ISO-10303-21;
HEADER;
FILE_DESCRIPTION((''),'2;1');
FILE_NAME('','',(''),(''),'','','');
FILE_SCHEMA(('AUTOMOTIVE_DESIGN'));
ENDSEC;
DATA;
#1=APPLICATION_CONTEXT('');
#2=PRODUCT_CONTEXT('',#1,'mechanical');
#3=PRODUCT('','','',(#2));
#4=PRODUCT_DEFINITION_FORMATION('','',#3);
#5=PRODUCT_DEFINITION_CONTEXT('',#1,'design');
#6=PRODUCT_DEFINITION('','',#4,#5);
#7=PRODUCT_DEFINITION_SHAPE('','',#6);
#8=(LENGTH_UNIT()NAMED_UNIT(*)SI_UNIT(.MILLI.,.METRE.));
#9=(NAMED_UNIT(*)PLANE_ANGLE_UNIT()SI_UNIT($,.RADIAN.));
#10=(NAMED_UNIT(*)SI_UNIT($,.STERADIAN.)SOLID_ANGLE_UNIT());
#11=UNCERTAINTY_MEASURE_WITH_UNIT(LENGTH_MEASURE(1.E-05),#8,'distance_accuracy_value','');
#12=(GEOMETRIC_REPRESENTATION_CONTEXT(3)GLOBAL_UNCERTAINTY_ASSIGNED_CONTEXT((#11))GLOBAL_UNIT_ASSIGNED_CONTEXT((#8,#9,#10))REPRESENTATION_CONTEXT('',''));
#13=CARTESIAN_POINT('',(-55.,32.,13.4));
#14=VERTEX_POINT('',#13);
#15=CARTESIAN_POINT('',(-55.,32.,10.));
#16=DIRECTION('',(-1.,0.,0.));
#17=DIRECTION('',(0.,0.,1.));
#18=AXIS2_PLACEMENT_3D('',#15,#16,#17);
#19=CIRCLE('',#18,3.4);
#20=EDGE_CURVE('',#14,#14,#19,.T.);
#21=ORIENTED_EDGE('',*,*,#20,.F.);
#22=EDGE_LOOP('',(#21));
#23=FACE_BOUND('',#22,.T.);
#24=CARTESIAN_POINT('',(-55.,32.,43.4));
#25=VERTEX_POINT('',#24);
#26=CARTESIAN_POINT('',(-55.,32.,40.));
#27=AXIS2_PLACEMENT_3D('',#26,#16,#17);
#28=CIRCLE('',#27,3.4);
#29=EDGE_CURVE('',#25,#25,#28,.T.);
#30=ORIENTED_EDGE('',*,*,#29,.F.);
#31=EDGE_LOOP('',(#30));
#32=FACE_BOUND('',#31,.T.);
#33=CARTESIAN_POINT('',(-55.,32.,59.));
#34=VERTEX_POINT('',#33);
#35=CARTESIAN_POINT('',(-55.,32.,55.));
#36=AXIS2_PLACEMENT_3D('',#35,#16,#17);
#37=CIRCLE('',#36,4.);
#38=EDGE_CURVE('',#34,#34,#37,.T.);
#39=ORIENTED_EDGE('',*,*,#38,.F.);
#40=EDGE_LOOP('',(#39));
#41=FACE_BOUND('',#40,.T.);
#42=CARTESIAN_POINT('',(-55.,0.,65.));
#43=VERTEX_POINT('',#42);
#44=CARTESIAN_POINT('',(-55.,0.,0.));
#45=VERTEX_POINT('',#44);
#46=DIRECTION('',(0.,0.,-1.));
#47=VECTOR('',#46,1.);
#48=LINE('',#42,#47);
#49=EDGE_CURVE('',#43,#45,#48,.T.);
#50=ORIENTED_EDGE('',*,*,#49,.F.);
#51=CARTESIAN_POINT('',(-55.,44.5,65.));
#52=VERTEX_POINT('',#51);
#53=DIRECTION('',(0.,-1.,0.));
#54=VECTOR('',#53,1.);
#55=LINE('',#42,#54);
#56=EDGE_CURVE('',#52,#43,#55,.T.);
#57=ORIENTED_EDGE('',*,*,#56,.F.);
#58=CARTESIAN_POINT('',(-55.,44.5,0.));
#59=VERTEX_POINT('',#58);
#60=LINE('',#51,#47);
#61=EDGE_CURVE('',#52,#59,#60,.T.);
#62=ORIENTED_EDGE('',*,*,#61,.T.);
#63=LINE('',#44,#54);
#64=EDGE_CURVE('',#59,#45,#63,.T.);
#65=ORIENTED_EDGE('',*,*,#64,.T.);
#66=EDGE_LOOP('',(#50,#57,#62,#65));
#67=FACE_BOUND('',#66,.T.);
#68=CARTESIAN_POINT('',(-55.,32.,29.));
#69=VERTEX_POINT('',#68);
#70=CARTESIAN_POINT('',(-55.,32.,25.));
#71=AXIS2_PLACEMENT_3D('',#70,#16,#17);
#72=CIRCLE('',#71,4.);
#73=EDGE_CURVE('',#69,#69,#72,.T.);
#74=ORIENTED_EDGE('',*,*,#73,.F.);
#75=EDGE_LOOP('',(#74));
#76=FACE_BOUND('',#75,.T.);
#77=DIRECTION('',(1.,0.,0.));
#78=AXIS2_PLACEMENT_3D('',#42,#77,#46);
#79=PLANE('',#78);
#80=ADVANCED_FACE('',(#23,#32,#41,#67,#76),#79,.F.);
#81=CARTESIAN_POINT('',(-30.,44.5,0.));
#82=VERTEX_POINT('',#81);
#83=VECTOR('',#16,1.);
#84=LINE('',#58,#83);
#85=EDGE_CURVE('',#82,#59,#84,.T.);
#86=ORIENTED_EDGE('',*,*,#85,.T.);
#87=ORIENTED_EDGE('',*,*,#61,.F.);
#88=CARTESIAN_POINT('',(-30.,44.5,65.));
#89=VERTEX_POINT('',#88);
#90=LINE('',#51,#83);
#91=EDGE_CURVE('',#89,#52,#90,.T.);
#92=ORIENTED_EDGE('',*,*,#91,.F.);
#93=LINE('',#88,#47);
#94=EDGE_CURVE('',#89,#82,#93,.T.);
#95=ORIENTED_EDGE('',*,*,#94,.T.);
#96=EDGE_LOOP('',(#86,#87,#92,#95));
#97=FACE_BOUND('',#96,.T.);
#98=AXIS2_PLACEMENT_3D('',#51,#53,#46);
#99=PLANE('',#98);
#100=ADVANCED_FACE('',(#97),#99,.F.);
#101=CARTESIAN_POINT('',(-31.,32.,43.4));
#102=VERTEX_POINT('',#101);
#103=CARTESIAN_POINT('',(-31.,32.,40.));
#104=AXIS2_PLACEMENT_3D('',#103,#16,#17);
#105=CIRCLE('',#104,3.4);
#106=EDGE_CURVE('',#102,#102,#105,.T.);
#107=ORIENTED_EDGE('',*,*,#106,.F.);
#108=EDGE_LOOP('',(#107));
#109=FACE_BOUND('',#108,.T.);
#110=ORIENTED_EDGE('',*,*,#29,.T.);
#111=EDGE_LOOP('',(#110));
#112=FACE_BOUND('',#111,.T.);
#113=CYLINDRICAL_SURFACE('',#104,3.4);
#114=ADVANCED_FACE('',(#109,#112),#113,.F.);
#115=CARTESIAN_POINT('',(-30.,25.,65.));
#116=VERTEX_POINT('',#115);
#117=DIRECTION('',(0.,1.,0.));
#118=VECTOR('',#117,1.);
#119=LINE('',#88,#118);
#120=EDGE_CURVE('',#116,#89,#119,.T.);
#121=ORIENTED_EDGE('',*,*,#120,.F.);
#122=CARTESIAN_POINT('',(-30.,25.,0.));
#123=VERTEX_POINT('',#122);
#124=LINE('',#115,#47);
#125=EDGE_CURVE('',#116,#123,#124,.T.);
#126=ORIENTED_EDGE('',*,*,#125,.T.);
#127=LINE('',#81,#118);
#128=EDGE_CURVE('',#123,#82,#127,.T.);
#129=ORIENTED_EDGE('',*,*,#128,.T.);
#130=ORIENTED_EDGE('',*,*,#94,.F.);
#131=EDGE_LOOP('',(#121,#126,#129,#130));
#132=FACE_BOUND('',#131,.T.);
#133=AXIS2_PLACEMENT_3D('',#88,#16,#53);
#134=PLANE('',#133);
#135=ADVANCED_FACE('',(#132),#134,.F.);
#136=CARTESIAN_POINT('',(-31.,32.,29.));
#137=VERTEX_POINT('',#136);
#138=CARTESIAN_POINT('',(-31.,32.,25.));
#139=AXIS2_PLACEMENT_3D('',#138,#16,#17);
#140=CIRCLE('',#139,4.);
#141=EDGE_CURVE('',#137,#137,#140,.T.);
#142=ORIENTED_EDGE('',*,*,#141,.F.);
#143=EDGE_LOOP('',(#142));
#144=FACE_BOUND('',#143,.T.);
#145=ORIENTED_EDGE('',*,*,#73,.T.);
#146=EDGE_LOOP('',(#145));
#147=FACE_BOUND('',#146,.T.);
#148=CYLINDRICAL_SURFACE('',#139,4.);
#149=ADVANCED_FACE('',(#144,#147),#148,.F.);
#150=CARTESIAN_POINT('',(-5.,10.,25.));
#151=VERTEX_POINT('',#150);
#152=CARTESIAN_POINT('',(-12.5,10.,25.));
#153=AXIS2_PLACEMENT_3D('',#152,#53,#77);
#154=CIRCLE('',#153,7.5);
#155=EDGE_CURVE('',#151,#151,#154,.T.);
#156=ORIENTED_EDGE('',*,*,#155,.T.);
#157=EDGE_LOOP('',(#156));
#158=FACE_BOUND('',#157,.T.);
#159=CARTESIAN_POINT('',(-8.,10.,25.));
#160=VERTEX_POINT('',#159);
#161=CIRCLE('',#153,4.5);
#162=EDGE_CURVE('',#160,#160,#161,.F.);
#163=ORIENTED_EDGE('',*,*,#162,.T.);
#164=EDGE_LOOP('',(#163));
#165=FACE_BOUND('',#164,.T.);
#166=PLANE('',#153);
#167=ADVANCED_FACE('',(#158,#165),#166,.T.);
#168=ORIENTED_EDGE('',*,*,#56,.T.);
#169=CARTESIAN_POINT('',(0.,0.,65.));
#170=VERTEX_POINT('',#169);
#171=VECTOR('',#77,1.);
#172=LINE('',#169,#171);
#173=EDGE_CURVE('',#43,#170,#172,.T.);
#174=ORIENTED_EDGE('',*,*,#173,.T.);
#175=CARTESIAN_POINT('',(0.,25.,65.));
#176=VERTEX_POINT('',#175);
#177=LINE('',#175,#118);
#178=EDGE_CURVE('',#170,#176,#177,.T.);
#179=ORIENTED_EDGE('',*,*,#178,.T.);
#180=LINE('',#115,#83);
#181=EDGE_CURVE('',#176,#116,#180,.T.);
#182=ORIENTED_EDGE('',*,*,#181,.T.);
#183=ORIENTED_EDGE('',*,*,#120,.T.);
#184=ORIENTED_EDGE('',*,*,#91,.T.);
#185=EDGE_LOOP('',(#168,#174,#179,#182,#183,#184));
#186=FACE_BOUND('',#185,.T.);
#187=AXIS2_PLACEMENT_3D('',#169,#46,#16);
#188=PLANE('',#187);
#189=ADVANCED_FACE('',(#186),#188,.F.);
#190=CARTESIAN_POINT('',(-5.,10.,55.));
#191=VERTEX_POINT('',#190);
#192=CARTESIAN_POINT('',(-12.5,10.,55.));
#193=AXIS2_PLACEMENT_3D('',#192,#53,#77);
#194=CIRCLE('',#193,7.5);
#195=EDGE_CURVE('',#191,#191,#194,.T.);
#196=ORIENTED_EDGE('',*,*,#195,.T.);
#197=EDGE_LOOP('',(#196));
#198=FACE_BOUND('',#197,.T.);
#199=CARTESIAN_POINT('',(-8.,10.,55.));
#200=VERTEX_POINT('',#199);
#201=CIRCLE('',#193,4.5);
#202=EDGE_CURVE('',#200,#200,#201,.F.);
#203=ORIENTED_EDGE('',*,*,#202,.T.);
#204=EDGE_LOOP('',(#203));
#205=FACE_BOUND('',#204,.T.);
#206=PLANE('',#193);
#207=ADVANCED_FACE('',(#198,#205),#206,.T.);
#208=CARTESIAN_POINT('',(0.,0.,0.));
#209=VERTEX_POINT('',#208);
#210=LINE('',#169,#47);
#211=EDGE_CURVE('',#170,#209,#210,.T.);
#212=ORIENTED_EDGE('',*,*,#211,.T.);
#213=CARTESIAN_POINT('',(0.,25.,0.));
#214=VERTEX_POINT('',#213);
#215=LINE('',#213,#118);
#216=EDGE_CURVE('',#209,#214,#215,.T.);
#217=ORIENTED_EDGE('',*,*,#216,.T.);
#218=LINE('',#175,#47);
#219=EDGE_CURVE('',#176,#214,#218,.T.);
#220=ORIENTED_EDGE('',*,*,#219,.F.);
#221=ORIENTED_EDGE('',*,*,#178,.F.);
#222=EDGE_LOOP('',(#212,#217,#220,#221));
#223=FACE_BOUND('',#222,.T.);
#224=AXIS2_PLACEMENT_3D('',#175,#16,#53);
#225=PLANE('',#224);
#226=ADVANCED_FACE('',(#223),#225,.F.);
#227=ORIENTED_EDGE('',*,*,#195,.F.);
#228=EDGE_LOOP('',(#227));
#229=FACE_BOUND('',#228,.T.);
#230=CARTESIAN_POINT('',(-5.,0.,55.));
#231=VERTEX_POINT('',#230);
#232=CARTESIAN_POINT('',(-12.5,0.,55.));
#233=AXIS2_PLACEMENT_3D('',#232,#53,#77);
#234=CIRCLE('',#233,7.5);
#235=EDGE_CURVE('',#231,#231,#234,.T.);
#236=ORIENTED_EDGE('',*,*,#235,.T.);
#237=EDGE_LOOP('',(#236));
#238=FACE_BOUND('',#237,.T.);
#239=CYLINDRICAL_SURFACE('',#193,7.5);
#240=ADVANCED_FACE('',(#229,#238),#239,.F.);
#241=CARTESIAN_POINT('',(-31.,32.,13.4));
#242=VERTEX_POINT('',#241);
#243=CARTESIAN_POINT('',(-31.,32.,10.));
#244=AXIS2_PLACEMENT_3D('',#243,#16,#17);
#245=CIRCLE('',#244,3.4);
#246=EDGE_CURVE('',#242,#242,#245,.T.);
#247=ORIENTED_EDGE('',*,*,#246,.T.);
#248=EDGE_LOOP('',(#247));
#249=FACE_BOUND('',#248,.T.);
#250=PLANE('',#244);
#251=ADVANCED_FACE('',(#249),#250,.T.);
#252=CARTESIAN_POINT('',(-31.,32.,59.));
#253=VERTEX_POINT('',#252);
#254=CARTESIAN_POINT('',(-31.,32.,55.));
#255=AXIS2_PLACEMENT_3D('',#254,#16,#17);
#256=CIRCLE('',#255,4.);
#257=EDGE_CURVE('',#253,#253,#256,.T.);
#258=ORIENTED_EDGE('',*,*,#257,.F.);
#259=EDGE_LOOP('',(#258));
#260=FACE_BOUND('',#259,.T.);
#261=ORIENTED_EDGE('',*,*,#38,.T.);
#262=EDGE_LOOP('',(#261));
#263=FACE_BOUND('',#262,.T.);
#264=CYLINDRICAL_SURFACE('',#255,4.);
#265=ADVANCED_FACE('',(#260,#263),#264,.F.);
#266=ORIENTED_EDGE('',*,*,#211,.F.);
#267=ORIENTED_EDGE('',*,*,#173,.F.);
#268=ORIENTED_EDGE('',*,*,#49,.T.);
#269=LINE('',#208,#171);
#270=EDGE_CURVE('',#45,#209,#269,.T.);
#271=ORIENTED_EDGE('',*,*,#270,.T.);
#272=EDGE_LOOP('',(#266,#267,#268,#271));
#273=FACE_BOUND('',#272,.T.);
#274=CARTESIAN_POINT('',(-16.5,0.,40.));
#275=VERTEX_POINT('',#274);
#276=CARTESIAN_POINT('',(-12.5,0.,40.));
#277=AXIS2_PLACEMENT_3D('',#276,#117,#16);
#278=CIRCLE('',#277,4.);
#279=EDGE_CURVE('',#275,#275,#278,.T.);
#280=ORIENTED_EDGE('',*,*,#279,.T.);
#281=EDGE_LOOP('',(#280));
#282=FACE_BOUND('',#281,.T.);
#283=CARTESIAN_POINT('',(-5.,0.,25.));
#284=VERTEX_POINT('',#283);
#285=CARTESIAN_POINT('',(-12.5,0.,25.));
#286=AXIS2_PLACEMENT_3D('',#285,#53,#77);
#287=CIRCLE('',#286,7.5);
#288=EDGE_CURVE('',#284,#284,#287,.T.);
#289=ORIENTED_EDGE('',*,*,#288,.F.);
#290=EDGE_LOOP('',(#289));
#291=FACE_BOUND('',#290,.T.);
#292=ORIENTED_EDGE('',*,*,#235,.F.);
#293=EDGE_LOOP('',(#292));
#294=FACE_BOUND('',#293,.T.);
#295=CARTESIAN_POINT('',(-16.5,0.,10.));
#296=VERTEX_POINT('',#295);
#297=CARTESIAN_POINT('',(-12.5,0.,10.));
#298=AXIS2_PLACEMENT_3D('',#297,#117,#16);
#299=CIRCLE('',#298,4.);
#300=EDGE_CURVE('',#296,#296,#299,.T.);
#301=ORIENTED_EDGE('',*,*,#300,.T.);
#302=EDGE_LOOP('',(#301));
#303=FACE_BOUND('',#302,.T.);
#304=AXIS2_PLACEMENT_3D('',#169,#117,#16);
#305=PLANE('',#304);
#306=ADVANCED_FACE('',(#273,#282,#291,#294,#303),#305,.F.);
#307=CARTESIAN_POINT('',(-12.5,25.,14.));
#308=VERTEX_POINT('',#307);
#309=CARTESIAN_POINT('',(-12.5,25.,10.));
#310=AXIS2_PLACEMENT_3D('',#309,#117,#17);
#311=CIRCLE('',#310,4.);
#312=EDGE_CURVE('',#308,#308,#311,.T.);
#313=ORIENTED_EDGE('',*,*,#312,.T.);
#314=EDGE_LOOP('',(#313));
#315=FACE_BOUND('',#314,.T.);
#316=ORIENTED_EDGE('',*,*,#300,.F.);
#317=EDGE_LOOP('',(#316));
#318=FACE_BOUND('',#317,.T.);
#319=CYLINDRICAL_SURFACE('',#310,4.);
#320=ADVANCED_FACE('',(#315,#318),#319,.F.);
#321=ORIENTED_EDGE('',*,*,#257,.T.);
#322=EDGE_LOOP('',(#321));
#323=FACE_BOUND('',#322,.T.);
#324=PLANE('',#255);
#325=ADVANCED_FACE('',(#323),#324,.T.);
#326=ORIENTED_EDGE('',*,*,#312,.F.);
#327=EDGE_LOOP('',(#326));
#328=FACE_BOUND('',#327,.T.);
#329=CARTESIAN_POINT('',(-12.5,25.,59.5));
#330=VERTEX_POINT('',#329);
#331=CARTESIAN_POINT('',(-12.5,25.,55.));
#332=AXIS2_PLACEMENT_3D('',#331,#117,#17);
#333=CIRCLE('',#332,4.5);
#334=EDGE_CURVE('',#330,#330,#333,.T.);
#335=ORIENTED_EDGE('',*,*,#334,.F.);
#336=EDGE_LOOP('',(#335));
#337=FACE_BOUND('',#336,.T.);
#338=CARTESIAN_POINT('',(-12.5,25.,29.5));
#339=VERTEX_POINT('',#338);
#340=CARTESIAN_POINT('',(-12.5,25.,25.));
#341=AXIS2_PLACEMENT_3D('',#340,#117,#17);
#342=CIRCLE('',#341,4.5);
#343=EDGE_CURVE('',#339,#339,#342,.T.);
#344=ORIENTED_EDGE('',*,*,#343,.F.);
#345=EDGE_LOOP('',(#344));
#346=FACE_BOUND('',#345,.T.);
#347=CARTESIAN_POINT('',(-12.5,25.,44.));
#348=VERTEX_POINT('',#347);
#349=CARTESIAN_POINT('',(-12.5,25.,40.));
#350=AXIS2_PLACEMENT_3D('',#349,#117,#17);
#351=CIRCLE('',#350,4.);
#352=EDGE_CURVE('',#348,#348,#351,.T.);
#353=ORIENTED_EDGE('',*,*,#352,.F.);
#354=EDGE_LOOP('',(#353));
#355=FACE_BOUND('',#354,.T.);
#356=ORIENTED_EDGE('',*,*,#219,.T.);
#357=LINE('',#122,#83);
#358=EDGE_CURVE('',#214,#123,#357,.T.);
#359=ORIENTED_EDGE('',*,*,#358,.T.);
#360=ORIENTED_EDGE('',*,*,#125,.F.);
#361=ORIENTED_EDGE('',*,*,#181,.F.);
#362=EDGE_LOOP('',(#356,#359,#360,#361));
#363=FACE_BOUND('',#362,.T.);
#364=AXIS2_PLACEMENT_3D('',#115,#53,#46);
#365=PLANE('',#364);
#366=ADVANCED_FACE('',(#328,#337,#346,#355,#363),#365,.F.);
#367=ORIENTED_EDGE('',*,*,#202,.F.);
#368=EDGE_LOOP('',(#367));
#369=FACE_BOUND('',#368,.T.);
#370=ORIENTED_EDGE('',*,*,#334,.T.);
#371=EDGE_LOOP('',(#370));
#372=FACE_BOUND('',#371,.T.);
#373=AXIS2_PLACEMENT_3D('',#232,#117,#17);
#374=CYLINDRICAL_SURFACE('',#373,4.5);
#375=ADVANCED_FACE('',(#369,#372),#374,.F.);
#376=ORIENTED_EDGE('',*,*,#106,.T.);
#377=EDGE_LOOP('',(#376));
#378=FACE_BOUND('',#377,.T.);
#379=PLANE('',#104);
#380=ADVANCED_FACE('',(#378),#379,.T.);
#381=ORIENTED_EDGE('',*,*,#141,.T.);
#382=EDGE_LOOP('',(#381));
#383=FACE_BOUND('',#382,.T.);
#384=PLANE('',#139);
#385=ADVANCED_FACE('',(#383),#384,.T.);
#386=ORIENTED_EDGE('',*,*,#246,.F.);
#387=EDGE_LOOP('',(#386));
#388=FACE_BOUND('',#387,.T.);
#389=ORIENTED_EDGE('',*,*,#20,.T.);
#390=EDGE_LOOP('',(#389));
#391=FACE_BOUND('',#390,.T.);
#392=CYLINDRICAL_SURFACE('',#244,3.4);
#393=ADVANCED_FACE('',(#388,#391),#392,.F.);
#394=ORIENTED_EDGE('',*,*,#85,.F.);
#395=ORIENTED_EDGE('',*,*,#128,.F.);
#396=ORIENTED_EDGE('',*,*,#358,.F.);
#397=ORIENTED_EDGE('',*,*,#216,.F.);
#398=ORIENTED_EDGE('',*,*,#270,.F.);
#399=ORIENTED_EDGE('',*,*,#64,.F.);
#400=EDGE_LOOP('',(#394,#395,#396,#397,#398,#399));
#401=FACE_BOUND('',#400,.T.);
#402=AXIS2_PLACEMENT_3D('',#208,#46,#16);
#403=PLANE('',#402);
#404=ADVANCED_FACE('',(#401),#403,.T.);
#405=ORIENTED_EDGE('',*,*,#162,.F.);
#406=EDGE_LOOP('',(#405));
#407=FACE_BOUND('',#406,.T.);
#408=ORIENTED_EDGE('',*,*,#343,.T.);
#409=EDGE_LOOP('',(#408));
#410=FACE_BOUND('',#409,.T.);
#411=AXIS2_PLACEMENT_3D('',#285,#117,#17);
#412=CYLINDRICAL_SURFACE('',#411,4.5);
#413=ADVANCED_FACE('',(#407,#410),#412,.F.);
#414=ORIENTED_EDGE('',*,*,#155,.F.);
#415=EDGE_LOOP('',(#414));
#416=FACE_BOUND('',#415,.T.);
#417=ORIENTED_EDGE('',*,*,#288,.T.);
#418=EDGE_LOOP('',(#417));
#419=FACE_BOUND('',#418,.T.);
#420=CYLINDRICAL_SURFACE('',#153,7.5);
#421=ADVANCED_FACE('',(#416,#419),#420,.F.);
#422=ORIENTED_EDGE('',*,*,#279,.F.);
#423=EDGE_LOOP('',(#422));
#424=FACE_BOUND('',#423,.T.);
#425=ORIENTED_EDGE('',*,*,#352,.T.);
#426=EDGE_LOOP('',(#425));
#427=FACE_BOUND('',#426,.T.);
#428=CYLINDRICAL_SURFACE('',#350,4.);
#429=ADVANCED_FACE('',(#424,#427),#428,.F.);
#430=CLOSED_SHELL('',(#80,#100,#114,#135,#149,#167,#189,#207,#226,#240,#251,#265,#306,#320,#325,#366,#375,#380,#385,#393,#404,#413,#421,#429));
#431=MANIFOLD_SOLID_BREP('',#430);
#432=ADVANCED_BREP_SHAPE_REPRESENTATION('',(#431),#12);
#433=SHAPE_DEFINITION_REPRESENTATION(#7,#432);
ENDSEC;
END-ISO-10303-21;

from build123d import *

# Parameters (mm, degrees)
EXTRUDE_1_DEPTH     = 65
MM_1_D              = 8
SKETCH_5_R          = 4.5
CUT_EXTRUDE_1_DEPTH = 89.741196746
SKETCH_6_R          = 7.5
CUT_EXTRUDE_2_DEPTH = 10
SKETCH_7_R          = 3.4
SKETCH_7_R_2        = 4
CUT_EXTRUDE_3_DEPTH = 24


with BuildPart() as part:
    # 草图1 → 凸台-拉伸1 (new body)
    with BuildSketch(Plane.XY):
        Polygon((-30, 44.5), (-30, 25), (0, 25), (0, 0), (-55, 0), (-55, 44.5), align=None)
    extrude(amount=EXTRUDE_1_DEPTH)

    # 大小mm 暗销孔1 (through all)
    with Locations(Plane(origin=(0, 25, 0), x_dir=(1, 0, 0), z_dir=(0, 1, 0))):
        with Locations((-12.5, -10), (-12.5, -40)):
            Hole(MM_1_D / 2)

    # 草图5 → 切除-拉伸1 (cut, through all)
    with BuildSketch(Plane(origin=(0, 25, 0), x_dir=(1, 0, 0), z_dir=(0, 1, 0))):
        with Locations(Location((-12.5, -25, 0), (0, 0, 270))):
            Circle(SKETCH_5_R)
        with Locations(Location((-12.5, -55, 0), (0, 0, 270))):
            Circle(SKETCH_5_R)
    extrude(amount=-CUT_EXTRUDE_1_DEPTH, mode=Mode.SUBTRACT)

    # 草图6 → 切除-拉伸2 (cut)
    with BuildSketch(Plane.XZ):
        with Locations((-12.5, 55)):
            Circle(SKETCH_6_R)
        with Locations((-12.5, 25)):
            Circle(SKETCH_6_R)
    extrude(amount=-CUT_EXTRUDE_2_DEPTH, mode=Mode.SUBTRACT)

    # 草图7 → 切除-拉伸3 (cut)
    with BuildSketch(Plane.ZY.offset(55)):
        with Locations((10, 32)):
            Circle(SKETCH_7_R)
        with Locations((25, 32)):
            Circle(SKETCH_7_R_2)
        with Locations((40, 32)):
            Circle(SKETCH_7_R)
        with Locations((55, 32)):
            Circle(SKETCH_7_R_2)
    extrude(amount=-CUT_EXTRUDE_3_DEPTH, mode=Mode.SUBTRACT)


solid = part.part
